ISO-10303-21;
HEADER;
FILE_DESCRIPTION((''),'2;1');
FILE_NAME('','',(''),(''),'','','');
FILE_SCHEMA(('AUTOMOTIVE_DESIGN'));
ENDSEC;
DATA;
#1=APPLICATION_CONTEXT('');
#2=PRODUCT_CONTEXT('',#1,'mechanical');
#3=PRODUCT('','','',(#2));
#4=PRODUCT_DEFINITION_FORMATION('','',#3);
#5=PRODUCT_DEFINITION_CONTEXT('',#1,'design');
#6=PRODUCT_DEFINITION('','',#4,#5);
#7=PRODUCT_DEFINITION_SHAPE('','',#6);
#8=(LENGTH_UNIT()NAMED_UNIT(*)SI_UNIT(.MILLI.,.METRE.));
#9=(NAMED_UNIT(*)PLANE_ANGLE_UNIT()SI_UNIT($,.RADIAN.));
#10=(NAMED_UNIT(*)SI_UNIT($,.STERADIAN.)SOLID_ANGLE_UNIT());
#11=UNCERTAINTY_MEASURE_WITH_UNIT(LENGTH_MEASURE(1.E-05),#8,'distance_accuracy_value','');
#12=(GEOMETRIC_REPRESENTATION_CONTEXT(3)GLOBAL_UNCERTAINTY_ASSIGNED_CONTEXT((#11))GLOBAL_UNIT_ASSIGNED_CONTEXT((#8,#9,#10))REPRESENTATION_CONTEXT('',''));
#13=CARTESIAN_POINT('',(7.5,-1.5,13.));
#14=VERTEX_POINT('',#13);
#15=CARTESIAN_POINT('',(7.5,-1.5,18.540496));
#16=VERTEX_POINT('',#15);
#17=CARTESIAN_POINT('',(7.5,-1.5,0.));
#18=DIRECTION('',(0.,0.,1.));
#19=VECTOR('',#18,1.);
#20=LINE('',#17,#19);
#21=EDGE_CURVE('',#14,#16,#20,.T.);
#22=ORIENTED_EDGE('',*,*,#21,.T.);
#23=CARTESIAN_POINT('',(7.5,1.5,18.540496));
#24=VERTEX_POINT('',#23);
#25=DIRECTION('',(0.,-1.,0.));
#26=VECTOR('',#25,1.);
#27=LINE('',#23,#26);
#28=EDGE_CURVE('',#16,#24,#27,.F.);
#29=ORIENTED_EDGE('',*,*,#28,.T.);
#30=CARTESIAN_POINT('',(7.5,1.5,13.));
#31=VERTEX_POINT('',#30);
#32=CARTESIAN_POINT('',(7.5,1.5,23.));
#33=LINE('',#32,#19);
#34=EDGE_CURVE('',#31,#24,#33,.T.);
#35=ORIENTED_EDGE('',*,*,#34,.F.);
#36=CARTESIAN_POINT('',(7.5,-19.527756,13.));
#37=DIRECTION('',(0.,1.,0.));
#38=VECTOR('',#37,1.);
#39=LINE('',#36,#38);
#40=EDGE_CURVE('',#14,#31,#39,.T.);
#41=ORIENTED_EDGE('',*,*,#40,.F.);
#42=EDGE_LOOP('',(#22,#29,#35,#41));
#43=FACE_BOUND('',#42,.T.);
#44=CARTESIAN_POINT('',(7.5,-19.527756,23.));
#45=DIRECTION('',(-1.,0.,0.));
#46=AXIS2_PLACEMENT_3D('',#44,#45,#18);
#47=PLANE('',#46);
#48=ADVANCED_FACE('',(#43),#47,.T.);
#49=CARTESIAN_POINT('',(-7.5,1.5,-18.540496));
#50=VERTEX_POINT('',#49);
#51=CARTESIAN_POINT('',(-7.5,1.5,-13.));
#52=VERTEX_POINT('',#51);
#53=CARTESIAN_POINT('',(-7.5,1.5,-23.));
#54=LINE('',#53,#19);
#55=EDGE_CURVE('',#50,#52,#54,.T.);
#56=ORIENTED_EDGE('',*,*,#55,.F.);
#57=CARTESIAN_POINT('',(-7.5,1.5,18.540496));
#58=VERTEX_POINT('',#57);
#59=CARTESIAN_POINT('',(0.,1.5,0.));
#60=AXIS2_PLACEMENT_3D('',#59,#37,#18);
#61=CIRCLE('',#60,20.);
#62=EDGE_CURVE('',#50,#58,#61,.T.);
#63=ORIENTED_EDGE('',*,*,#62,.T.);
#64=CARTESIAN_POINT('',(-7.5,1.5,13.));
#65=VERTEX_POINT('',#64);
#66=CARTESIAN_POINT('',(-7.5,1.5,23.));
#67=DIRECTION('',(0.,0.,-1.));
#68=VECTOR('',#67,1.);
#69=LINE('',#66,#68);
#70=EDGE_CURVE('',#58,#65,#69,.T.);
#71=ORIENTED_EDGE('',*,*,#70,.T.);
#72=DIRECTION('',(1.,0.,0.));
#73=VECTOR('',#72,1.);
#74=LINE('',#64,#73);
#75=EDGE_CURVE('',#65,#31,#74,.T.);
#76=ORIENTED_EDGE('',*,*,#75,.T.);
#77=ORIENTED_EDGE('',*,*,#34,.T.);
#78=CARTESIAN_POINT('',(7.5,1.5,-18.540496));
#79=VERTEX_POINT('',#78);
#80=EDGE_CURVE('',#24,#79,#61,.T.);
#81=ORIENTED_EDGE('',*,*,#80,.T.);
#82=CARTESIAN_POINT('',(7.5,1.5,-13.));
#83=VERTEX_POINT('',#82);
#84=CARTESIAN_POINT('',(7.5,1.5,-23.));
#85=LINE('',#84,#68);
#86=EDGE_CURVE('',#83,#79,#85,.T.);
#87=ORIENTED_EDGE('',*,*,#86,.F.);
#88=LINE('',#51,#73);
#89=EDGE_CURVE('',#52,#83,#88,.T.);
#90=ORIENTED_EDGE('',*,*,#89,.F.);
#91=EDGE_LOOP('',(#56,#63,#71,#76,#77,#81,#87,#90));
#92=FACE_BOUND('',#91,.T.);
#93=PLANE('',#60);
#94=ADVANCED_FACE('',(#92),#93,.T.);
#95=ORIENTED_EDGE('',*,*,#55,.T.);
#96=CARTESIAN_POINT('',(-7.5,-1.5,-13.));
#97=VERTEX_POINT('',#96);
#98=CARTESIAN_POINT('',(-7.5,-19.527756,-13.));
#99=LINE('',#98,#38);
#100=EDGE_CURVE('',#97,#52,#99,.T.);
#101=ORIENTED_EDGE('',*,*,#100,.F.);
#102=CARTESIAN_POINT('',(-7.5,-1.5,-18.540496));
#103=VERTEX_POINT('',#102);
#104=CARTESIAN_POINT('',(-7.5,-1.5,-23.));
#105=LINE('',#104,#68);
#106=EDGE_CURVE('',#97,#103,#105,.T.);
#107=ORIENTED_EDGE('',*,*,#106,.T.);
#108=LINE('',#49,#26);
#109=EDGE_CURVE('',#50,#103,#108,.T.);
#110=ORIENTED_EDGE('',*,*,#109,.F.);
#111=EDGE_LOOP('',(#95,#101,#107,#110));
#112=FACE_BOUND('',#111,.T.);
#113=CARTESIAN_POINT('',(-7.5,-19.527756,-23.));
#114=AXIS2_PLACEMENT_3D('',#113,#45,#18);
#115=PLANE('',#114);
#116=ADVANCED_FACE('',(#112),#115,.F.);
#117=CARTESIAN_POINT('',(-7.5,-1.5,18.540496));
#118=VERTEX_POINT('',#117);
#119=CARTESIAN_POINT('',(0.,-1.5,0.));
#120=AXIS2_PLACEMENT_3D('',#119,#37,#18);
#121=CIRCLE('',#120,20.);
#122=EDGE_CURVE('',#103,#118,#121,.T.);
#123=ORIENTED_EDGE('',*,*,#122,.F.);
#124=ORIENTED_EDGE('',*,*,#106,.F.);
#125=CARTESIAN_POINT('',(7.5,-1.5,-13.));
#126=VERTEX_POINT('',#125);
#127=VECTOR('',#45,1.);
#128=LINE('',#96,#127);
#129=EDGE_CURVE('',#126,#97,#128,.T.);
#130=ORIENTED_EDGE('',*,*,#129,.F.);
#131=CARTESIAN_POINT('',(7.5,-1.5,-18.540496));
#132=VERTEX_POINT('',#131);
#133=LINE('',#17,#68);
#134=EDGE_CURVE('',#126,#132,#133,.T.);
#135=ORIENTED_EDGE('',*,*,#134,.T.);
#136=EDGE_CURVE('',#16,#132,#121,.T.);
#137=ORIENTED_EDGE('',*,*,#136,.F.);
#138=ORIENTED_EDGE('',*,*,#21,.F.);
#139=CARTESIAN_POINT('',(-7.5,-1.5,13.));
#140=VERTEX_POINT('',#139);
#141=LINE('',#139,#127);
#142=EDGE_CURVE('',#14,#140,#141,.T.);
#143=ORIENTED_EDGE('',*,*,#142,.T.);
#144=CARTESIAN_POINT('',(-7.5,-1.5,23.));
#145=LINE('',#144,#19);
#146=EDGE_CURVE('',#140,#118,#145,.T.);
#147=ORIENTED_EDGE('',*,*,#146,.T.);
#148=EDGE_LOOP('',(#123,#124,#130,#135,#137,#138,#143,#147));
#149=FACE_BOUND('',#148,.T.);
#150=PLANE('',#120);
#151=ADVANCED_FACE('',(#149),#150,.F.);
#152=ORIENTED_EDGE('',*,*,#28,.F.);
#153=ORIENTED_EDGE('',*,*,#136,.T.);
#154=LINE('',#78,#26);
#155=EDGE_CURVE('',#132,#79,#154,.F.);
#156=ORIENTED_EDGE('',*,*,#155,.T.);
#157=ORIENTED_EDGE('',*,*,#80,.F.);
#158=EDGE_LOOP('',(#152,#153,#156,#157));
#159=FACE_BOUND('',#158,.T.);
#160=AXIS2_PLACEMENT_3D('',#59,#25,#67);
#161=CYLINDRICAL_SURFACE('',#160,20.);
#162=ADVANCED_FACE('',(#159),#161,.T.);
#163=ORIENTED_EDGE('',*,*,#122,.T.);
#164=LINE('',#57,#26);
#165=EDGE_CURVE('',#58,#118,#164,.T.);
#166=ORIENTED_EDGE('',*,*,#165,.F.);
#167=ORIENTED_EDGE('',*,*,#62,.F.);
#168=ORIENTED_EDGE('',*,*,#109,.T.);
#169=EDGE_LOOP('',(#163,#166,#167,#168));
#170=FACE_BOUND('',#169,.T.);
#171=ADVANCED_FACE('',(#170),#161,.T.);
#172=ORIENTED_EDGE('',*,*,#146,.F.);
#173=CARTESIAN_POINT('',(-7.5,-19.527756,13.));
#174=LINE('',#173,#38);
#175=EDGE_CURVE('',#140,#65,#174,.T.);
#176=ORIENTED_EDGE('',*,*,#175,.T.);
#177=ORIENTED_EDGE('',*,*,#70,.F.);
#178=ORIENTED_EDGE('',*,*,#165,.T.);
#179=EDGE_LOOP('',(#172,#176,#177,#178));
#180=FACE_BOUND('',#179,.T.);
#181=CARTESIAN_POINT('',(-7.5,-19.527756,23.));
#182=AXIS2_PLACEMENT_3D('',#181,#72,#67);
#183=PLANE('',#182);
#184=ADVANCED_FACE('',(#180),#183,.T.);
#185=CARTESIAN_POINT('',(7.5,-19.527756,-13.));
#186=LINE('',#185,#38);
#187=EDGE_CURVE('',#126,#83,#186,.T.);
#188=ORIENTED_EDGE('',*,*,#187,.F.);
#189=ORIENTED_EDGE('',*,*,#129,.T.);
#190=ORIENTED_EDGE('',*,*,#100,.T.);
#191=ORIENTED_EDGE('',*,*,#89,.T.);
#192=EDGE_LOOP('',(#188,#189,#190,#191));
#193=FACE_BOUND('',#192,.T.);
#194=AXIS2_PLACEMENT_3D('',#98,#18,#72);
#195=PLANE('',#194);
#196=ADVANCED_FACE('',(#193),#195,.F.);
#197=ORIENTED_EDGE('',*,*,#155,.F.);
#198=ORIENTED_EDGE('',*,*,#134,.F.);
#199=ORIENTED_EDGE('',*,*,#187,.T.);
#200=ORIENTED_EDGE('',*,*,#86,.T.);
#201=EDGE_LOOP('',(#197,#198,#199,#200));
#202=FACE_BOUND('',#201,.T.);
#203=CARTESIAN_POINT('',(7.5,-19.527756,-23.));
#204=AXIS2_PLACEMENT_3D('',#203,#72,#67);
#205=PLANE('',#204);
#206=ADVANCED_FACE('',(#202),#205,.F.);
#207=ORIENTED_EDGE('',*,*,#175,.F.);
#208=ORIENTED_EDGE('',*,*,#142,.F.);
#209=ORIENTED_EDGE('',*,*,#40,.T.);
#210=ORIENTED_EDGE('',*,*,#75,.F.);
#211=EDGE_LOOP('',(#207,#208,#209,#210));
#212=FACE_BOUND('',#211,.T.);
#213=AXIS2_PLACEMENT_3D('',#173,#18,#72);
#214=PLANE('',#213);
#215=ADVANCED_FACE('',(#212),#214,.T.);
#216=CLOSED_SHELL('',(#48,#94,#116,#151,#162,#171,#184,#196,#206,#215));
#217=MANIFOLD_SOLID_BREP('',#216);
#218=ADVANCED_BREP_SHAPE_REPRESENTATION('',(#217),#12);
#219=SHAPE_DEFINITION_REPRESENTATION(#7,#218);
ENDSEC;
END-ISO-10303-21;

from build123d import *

# Parameters (mm, degrees)
SKETCH1_R           = 20
BOSS_EXTRUDE1_DEPTH = 1.5
SKETCH3_W           = 15
SKETCH3_H           = 10
CUT_EXTRUDE2_DEPTH  = 3


with BuildPart() as part:
    # Sketch1 → Boss-Extrude1 (new, symmetric)
    with BuildSketch(Plane(origin=(0, 0, 0), x_dir=(1, 0, 0), z_dir=(0, 1, 0))):
        with Locations(Location((0, 0, 0), (0, 0, 270))):
            Circle(SKETCH1_R)
    extrude(amount=BOSS_EXTRUDE1_DEPTH, both=True)

    # Sketch3 → Cut-Extrude2 (cut)
    with BuildSketch(Plane(origin=(0, 1.5, 0), x_dir=(1, 0, 0), z_dir=(0, 1, 0))):
        with Locations((0, 18)):
            Rectangle(SKETCH3_W, SKETCH3_H)
    cut_extrude2 = extrude(amount=-CUT_EXTRUDE2_DEPTH, mode=Mode.SUBTRACT)

    # Mirror1: Cut-Extrude2 across plane
    add(cut_extrude2.mirror(Plane.XY), mode=Mode.SUBTRACT)


solid = part.part
